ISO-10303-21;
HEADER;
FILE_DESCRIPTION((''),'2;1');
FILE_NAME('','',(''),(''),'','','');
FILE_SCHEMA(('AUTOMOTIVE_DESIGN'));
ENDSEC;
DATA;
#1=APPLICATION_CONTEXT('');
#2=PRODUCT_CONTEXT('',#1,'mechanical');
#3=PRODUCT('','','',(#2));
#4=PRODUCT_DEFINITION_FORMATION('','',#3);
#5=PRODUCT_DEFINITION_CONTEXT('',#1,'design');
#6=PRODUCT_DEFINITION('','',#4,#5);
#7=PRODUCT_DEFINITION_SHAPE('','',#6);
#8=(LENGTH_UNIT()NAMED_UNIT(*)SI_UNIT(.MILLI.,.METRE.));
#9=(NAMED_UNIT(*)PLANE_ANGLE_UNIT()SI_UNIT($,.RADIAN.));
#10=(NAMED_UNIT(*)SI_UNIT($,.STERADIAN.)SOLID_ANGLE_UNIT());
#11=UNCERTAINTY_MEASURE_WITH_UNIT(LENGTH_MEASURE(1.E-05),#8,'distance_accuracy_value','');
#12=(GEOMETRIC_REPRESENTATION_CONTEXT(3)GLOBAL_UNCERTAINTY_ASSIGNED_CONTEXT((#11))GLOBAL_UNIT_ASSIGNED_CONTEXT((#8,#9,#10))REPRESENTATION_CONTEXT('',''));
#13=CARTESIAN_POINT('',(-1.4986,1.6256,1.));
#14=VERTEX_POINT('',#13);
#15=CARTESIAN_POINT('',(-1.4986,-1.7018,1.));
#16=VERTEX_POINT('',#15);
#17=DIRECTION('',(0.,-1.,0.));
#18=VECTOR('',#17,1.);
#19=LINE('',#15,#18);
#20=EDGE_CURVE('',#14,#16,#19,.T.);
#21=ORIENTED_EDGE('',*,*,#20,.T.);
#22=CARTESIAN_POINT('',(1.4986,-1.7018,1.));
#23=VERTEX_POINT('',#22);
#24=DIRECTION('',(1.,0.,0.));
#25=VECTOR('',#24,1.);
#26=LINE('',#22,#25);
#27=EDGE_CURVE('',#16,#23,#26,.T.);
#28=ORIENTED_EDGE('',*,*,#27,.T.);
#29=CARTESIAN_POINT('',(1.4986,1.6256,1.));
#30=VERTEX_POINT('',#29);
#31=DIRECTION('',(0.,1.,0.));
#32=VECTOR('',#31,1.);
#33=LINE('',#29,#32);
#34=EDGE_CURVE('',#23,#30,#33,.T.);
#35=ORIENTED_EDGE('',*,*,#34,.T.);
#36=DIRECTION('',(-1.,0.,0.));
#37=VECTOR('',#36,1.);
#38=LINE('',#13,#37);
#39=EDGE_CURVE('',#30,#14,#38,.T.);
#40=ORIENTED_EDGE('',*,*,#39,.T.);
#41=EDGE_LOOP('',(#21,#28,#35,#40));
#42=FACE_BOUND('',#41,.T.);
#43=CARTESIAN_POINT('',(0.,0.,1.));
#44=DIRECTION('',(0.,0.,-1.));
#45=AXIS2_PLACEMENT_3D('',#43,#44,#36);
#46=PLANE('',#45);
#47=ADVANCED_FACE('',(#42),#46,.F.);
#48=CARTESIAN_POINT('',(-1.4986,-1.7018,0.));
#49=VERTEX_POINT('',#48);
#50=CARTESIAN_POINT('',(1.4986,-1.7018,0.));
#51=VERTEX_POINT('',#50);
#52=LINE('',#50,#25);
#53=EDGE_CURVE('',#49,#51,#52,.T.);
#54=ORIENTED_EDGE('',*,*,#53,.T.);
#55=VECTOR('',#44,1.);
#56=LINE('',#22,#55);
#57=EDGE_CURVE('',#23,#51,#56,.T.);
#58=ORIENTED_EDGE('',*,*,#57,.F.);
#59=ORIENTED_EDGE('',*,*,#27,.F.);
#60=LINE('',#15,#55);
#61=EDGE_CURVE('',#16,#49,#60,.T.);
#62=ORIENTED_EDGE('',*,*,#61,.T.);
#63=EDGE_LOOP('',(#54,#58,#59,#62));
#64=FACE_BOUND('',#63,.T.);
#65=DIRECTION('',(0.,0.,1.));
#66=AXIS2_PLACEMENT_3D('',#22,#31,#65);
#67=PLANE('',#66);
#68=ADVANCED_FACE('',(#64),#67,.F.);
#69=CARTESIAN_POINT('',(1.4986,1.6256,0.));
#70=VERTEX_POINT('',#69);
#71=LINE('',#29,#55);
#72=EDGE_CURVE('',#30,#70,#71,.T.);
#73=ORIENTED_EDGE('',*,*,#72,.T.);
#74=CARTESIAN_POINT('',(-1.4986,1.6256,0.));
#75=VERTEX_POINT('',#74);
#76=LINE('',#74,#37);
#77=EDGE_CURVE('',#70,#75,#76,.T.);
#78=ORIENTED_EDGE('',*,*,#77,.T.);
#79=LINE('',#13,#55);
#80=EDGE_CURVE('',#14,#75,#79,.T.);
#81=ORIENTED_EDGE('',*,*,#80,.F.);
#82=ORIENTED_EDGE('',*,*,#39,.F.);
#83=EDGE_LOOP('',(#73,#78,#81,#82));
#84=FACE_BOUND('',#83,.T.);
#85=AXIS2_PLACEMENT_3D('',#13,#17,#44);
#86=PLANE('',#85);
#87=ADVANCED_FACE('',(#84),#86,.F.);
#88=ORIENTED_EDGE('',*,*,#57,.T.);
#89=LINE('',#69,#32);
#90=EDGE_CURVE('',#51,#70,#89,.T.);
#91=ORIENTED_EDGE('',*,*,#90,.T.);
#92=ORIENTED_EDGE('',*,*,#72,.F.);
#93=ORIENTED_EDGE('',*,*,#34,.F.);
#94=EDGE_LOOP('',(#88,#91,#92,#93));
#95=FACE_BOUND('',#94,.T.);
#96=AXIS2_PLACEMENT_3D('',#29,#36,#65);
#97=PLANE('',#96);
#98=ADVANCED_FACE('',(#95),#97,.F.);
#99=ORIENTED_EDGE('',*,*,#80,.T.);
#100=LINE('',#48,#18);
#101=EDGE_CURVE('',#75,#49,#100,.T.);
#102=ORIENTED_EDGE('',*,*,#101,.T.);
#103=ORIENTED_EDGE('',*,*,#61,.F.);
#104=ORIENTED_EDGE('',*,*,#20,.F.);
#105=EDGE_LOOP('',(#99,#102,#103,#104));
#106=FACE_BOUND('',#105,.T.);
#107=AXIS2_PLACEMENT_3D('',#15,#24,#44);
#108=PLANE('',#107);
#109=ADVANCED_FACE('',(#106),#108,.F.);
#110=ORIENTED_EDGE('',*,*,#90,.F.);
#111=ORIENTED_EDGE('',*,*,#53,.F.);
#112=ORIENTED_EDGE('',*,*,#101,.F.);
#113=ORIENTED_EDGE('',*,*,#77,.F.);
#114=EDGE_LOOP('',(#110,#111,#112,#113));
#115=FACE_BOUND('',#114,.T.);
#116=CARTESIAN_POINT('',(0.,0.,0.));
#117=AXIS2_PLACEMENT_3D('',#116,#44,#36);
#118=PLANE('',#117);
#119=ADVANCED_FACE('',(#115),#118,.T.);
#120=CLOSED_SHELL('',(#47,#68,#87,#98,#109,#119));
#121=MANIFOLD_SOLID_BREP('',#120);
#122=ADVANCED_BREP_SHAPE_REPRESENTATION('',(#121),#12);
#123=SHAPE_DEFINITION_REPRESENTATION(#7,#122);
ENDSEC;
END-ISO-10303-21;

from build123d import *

# Parameters (mm, degrees)
SKETCH1_W               = 2.9972
SKETCH1_H               = 3.3274
COMPONENT_OUTLINE_DEPTH = 1


with BuildPart() as part:
    # Sketch1 → Component_Outline (new body)
    with BuildSketch(Plane.XY):
        with Locations((0, -0.0381)):
            Rectangle(SKETCH1_W, SKETCH1_H)
    extrude(amount=COMPONENT_OUTLINE_DEPTH)


solid = part.part
